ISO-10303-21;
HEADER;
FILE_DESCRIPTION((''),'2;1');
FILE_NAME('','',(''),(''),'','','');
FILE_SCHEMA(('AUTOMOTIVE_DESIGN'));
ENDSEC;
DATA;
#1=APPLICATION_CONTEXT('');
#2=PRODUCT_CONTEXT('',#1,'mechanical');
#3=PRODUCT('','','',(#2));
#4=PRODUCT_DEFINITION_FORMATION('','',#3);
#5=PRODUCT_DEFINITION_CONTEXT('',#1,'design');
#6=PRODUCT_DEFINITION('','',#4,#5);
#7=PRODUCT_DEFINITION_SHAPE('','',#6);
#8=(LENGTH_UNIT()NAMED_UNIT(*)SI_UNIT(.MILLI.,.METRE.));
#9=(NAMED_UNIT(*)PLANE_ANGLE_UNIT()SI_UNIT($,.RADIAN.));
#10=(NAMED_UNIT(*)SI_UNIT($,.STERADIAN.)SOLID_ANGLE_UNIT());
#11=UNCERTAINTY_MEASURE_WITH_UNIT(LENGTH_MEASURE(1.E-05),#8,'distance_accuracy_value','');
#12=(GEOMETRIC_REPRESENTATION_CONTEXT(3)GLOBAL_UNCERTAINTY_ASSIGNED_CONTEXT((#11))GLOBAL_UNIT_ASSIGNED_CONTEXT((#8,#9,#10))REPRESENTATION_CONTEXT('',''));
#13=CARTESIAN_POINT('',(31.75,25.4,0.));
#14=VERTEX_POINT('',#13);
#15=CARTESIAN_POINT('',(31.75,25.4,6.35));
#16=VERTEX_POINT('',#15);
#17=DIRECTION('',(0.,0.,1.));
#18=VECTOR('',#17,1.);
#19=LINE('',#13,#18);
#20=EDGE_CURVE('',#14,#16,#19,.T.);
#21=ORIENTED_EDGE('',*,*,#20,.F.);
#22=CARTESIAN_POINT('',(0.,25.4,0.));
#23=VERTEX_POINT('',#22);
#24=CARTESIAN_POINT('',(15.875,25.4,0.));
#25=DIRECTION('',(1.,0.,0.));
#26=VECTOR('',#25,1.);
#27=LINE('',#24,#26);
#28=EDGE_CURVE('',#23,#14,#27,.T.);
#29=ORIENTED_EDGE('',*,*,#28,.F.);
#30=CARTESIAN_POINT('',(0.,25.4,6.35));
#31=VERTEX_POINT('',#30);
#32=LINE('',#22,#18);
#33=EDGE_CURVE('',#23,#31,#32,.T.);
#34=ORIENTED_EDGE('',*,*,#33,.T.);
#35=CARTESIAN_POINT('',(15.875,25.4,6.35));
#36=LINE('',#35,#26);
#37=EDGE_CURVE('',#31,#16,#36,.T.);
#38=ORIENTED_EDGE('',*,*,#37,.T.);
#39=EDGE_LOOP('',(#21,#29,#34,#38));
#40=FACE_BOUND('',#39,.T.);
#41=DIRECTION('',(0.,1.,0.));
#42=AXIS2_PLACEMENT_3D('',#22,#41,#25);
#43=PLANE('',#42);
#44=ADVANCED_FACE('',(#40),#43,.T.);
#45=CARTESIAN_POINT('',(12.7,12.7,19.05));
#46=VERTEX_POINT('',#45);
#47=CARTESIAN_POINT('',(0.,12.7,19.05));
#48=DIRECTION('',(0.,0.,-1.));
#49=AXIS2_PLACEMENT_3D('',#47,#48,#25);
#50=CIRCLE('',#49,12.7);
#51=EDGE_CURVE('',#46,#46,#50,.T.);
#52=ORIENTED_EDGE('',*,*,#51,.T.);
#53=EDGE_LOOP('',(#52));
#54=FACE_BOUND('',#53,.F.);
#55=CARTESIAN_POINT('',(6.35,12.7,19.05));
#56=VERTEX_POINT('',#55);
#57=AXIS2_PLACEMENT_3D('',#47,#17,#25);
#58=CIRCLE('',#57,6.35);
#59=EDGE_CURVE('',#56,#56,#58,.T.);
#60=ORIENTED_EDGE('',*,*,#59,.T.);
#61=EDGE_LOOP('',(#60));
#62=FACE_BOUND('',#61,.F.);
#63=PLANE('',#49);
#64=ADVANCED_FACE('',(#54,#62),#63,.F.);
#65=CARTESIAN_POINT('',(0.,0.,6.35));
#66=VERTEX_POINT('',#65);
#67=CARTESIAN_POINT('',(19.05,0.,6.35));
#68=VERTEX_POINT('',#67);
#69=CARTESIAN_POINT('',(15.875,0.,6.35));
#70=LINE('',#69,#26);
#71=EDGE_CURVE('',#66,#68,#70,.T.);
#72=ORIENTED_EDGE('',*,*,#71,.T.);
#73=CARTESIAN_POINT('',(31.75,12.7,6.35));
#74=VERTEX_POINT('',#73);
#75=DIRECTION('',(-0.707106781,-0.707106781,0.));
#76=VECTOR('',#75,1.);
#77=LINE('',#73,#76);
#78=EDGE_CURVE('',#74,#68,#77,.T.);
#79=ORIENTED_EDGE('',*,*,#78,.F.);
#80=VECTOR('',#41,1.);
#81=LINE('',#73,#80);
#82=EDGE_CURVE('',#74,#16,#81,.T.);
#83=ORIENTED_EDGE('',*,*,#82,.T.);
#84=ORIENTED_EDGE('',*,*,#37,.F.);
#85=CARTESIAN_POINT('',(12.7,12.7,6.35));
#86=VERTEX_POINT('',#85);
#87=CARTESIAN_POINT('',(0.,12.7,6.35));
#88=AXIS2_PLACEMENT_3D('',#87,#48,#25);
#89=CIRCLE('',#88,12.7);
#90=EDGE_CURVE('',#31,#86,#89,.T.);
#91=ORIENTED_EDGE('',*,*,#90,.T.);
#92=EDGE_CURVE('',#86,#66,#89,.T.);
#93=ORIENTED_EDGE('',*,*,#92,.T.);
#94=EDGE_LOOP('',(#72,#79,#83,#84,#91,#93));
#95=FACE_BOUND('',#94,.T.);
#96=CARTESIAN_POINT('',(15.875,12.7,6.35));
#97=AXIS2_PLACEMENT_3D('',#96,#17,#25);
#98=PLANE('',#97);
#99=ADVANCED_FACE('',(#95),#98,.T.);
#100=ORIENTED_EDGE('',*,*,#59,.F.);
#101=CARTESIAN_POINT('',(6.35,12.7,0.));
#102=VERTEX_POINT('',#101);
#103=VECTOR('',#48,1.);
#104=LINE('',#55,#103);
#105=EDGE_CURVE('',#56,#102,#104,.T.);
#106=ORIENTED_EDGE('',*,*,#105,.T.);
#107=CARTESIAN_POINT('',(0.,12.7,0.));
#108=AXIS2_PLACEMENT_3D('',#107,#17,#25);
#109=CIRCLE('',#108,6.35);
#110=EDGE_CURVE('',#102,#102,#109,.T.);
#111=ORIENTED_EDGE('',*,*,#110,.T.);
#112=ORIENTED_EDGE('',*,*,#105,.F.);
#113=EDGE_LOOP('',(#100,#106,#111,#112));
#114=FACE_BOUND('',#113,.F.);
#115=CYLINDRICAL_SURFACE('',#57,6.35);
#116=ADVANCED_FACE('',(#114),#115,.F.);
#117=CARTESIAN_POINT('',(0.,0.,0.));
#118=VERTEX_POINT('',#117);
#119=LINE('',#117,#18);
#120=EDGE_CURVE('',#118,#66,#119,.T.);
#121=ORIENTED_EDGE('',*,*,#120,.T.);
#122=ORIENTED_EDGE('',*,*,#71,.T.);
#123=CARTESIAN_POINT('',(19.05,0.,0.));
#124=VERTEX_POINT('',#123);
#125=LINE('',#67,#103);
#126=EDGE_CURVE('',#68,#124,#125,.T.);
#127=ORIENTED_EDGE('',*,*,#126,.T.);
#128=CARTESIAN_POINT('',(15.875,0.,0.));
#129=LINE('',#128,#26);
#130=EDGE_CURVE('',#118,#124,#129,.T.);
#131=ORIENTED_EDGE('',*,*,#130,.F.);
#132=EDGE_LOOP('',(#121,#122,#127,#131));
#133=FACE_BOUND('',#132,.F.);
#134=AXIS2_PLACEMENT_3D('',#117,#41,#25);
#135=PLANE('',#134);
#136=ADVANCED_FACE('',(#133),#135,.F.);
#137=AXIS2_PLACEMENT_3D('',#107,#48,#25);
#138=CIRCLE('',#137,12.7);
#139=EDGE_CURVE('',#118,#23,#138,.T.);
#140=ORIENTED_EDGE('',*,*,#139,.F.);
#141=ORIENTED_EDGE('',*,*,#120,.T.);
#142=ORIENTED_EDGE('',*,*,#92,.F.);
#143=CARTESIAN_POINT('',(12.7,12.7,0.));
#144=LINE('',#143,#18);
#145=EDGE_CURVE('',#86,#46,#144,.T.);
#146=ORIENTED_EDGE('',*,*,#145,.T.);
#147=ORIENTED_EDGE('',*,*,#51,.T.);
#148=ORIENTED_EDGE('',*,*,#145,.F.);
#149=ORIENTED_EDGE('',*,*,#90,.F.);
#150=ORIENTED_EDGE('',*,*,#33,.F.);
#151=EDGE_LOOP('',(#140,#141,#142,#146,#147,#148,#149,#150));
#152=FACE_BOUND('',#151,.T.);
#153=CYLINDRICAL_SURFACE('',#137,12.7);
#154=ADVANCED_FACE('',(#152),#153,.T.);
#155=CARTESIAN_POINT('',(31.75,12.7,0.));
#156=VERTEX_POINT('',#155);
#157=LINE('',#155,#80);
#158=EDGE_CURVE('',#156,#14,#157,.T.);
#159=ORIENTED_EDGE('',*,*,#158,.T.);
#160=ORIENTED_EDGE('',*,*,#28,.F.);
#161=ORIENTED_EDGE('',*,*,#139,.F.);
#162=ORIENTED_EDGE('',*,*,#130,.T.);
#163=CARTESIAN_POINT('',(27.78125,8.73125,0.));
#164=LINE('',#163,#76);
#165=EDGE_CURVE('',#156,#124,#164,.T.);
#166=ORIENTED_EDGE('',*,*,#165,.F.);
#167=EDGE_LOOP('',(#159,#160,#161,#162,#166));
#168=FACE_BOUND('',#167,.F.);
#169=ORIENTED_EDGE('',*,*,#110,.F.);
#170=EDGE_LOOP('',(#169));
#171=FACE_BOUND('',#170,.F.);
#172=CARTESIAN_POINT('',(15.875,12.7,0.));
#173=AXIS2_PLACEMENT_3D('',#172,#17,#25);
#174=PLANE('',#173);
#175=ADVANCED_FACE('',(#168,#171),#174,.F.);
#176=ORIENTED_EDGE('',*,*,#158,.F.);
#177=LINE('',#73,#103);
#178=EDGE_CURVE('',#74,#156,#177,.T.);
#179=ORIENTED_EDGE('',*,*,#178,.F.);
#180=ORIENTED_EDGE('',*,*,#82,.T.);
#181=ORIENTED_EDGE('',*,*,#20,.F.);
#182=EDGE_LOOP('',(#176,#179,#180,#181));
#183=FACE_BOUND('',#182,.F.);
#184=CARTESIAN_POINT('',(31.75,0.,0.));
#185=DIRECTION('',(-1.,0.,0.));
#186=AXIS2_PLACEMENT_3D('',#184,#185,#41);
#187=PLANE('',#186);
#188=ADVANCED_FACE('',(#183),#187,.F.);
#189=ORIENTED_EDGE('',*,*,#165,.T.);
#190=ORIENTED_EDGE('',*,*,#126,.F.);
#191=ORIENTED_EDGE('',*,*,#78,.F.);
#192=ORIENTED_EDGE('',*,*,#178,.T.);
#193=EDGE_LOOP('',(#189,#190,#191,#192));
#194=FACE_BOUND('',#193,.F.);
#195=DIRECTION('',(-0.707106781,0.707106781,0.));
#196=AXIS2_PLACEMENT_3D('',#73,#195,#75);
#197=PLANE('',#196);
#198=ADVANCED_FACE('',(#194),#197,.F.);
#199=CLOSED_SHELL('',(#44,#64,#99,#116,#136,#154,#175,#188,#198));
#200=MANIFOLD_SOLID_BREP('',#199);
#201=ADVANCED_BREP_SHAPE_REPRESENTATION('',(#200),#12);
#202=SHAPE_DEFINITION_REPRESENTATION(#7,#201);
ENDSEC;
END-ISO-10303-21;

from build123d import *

# Parameters (mm, degrees)
F0_W     = 31.75
F0_H     = 25.4
F1_DEPTH = 6.35
F2_R     = 12.7
F3_DEPTH = 19.05
F4_R     = 6.35
F5_DEPTH = 25.4
F7_DEPTH = 25.4


with BuildPart() as f1:
    # F0 (on Top) → F1 (new body)
    with BuildSketch(Plane.XY):
        with Locations((15.875, 12.7)):
            Rectangle(F0_W, F0_H)
    extrude(amount=F1_DEPTH)

    # F2 (on face) → F3 (join)
    with BuildSketch(Plane(origin=(0, 0, 0), x_dir=(1, 0, 0), z_dir=(0, 0, -1))):
        with Locations((0, -12.7)):
            Circle(F2_R)
    extrude(amount=-F3_DEPTH)

    # F4 (on face) → F5 (cut)
    with BuildSketch(Plane.XY.offset(19.05)):
        with Locations((0, 12.7)):
            Circle(F4_R)
    extrude(amount=-F5_DEPTH, mode=Mode.SUBTRACT)

    # F6 (on face) → F7 (cut)
    with BuildSketch(Plane.XY.offset(6.35)):
        Polygon((19.05, 0), (31.75, 0), (31.75, 12.7), align=None)
    extrude(amount=-F7_DEPTH, mode=Mode.SUBTRACT)


solid = f1.part
